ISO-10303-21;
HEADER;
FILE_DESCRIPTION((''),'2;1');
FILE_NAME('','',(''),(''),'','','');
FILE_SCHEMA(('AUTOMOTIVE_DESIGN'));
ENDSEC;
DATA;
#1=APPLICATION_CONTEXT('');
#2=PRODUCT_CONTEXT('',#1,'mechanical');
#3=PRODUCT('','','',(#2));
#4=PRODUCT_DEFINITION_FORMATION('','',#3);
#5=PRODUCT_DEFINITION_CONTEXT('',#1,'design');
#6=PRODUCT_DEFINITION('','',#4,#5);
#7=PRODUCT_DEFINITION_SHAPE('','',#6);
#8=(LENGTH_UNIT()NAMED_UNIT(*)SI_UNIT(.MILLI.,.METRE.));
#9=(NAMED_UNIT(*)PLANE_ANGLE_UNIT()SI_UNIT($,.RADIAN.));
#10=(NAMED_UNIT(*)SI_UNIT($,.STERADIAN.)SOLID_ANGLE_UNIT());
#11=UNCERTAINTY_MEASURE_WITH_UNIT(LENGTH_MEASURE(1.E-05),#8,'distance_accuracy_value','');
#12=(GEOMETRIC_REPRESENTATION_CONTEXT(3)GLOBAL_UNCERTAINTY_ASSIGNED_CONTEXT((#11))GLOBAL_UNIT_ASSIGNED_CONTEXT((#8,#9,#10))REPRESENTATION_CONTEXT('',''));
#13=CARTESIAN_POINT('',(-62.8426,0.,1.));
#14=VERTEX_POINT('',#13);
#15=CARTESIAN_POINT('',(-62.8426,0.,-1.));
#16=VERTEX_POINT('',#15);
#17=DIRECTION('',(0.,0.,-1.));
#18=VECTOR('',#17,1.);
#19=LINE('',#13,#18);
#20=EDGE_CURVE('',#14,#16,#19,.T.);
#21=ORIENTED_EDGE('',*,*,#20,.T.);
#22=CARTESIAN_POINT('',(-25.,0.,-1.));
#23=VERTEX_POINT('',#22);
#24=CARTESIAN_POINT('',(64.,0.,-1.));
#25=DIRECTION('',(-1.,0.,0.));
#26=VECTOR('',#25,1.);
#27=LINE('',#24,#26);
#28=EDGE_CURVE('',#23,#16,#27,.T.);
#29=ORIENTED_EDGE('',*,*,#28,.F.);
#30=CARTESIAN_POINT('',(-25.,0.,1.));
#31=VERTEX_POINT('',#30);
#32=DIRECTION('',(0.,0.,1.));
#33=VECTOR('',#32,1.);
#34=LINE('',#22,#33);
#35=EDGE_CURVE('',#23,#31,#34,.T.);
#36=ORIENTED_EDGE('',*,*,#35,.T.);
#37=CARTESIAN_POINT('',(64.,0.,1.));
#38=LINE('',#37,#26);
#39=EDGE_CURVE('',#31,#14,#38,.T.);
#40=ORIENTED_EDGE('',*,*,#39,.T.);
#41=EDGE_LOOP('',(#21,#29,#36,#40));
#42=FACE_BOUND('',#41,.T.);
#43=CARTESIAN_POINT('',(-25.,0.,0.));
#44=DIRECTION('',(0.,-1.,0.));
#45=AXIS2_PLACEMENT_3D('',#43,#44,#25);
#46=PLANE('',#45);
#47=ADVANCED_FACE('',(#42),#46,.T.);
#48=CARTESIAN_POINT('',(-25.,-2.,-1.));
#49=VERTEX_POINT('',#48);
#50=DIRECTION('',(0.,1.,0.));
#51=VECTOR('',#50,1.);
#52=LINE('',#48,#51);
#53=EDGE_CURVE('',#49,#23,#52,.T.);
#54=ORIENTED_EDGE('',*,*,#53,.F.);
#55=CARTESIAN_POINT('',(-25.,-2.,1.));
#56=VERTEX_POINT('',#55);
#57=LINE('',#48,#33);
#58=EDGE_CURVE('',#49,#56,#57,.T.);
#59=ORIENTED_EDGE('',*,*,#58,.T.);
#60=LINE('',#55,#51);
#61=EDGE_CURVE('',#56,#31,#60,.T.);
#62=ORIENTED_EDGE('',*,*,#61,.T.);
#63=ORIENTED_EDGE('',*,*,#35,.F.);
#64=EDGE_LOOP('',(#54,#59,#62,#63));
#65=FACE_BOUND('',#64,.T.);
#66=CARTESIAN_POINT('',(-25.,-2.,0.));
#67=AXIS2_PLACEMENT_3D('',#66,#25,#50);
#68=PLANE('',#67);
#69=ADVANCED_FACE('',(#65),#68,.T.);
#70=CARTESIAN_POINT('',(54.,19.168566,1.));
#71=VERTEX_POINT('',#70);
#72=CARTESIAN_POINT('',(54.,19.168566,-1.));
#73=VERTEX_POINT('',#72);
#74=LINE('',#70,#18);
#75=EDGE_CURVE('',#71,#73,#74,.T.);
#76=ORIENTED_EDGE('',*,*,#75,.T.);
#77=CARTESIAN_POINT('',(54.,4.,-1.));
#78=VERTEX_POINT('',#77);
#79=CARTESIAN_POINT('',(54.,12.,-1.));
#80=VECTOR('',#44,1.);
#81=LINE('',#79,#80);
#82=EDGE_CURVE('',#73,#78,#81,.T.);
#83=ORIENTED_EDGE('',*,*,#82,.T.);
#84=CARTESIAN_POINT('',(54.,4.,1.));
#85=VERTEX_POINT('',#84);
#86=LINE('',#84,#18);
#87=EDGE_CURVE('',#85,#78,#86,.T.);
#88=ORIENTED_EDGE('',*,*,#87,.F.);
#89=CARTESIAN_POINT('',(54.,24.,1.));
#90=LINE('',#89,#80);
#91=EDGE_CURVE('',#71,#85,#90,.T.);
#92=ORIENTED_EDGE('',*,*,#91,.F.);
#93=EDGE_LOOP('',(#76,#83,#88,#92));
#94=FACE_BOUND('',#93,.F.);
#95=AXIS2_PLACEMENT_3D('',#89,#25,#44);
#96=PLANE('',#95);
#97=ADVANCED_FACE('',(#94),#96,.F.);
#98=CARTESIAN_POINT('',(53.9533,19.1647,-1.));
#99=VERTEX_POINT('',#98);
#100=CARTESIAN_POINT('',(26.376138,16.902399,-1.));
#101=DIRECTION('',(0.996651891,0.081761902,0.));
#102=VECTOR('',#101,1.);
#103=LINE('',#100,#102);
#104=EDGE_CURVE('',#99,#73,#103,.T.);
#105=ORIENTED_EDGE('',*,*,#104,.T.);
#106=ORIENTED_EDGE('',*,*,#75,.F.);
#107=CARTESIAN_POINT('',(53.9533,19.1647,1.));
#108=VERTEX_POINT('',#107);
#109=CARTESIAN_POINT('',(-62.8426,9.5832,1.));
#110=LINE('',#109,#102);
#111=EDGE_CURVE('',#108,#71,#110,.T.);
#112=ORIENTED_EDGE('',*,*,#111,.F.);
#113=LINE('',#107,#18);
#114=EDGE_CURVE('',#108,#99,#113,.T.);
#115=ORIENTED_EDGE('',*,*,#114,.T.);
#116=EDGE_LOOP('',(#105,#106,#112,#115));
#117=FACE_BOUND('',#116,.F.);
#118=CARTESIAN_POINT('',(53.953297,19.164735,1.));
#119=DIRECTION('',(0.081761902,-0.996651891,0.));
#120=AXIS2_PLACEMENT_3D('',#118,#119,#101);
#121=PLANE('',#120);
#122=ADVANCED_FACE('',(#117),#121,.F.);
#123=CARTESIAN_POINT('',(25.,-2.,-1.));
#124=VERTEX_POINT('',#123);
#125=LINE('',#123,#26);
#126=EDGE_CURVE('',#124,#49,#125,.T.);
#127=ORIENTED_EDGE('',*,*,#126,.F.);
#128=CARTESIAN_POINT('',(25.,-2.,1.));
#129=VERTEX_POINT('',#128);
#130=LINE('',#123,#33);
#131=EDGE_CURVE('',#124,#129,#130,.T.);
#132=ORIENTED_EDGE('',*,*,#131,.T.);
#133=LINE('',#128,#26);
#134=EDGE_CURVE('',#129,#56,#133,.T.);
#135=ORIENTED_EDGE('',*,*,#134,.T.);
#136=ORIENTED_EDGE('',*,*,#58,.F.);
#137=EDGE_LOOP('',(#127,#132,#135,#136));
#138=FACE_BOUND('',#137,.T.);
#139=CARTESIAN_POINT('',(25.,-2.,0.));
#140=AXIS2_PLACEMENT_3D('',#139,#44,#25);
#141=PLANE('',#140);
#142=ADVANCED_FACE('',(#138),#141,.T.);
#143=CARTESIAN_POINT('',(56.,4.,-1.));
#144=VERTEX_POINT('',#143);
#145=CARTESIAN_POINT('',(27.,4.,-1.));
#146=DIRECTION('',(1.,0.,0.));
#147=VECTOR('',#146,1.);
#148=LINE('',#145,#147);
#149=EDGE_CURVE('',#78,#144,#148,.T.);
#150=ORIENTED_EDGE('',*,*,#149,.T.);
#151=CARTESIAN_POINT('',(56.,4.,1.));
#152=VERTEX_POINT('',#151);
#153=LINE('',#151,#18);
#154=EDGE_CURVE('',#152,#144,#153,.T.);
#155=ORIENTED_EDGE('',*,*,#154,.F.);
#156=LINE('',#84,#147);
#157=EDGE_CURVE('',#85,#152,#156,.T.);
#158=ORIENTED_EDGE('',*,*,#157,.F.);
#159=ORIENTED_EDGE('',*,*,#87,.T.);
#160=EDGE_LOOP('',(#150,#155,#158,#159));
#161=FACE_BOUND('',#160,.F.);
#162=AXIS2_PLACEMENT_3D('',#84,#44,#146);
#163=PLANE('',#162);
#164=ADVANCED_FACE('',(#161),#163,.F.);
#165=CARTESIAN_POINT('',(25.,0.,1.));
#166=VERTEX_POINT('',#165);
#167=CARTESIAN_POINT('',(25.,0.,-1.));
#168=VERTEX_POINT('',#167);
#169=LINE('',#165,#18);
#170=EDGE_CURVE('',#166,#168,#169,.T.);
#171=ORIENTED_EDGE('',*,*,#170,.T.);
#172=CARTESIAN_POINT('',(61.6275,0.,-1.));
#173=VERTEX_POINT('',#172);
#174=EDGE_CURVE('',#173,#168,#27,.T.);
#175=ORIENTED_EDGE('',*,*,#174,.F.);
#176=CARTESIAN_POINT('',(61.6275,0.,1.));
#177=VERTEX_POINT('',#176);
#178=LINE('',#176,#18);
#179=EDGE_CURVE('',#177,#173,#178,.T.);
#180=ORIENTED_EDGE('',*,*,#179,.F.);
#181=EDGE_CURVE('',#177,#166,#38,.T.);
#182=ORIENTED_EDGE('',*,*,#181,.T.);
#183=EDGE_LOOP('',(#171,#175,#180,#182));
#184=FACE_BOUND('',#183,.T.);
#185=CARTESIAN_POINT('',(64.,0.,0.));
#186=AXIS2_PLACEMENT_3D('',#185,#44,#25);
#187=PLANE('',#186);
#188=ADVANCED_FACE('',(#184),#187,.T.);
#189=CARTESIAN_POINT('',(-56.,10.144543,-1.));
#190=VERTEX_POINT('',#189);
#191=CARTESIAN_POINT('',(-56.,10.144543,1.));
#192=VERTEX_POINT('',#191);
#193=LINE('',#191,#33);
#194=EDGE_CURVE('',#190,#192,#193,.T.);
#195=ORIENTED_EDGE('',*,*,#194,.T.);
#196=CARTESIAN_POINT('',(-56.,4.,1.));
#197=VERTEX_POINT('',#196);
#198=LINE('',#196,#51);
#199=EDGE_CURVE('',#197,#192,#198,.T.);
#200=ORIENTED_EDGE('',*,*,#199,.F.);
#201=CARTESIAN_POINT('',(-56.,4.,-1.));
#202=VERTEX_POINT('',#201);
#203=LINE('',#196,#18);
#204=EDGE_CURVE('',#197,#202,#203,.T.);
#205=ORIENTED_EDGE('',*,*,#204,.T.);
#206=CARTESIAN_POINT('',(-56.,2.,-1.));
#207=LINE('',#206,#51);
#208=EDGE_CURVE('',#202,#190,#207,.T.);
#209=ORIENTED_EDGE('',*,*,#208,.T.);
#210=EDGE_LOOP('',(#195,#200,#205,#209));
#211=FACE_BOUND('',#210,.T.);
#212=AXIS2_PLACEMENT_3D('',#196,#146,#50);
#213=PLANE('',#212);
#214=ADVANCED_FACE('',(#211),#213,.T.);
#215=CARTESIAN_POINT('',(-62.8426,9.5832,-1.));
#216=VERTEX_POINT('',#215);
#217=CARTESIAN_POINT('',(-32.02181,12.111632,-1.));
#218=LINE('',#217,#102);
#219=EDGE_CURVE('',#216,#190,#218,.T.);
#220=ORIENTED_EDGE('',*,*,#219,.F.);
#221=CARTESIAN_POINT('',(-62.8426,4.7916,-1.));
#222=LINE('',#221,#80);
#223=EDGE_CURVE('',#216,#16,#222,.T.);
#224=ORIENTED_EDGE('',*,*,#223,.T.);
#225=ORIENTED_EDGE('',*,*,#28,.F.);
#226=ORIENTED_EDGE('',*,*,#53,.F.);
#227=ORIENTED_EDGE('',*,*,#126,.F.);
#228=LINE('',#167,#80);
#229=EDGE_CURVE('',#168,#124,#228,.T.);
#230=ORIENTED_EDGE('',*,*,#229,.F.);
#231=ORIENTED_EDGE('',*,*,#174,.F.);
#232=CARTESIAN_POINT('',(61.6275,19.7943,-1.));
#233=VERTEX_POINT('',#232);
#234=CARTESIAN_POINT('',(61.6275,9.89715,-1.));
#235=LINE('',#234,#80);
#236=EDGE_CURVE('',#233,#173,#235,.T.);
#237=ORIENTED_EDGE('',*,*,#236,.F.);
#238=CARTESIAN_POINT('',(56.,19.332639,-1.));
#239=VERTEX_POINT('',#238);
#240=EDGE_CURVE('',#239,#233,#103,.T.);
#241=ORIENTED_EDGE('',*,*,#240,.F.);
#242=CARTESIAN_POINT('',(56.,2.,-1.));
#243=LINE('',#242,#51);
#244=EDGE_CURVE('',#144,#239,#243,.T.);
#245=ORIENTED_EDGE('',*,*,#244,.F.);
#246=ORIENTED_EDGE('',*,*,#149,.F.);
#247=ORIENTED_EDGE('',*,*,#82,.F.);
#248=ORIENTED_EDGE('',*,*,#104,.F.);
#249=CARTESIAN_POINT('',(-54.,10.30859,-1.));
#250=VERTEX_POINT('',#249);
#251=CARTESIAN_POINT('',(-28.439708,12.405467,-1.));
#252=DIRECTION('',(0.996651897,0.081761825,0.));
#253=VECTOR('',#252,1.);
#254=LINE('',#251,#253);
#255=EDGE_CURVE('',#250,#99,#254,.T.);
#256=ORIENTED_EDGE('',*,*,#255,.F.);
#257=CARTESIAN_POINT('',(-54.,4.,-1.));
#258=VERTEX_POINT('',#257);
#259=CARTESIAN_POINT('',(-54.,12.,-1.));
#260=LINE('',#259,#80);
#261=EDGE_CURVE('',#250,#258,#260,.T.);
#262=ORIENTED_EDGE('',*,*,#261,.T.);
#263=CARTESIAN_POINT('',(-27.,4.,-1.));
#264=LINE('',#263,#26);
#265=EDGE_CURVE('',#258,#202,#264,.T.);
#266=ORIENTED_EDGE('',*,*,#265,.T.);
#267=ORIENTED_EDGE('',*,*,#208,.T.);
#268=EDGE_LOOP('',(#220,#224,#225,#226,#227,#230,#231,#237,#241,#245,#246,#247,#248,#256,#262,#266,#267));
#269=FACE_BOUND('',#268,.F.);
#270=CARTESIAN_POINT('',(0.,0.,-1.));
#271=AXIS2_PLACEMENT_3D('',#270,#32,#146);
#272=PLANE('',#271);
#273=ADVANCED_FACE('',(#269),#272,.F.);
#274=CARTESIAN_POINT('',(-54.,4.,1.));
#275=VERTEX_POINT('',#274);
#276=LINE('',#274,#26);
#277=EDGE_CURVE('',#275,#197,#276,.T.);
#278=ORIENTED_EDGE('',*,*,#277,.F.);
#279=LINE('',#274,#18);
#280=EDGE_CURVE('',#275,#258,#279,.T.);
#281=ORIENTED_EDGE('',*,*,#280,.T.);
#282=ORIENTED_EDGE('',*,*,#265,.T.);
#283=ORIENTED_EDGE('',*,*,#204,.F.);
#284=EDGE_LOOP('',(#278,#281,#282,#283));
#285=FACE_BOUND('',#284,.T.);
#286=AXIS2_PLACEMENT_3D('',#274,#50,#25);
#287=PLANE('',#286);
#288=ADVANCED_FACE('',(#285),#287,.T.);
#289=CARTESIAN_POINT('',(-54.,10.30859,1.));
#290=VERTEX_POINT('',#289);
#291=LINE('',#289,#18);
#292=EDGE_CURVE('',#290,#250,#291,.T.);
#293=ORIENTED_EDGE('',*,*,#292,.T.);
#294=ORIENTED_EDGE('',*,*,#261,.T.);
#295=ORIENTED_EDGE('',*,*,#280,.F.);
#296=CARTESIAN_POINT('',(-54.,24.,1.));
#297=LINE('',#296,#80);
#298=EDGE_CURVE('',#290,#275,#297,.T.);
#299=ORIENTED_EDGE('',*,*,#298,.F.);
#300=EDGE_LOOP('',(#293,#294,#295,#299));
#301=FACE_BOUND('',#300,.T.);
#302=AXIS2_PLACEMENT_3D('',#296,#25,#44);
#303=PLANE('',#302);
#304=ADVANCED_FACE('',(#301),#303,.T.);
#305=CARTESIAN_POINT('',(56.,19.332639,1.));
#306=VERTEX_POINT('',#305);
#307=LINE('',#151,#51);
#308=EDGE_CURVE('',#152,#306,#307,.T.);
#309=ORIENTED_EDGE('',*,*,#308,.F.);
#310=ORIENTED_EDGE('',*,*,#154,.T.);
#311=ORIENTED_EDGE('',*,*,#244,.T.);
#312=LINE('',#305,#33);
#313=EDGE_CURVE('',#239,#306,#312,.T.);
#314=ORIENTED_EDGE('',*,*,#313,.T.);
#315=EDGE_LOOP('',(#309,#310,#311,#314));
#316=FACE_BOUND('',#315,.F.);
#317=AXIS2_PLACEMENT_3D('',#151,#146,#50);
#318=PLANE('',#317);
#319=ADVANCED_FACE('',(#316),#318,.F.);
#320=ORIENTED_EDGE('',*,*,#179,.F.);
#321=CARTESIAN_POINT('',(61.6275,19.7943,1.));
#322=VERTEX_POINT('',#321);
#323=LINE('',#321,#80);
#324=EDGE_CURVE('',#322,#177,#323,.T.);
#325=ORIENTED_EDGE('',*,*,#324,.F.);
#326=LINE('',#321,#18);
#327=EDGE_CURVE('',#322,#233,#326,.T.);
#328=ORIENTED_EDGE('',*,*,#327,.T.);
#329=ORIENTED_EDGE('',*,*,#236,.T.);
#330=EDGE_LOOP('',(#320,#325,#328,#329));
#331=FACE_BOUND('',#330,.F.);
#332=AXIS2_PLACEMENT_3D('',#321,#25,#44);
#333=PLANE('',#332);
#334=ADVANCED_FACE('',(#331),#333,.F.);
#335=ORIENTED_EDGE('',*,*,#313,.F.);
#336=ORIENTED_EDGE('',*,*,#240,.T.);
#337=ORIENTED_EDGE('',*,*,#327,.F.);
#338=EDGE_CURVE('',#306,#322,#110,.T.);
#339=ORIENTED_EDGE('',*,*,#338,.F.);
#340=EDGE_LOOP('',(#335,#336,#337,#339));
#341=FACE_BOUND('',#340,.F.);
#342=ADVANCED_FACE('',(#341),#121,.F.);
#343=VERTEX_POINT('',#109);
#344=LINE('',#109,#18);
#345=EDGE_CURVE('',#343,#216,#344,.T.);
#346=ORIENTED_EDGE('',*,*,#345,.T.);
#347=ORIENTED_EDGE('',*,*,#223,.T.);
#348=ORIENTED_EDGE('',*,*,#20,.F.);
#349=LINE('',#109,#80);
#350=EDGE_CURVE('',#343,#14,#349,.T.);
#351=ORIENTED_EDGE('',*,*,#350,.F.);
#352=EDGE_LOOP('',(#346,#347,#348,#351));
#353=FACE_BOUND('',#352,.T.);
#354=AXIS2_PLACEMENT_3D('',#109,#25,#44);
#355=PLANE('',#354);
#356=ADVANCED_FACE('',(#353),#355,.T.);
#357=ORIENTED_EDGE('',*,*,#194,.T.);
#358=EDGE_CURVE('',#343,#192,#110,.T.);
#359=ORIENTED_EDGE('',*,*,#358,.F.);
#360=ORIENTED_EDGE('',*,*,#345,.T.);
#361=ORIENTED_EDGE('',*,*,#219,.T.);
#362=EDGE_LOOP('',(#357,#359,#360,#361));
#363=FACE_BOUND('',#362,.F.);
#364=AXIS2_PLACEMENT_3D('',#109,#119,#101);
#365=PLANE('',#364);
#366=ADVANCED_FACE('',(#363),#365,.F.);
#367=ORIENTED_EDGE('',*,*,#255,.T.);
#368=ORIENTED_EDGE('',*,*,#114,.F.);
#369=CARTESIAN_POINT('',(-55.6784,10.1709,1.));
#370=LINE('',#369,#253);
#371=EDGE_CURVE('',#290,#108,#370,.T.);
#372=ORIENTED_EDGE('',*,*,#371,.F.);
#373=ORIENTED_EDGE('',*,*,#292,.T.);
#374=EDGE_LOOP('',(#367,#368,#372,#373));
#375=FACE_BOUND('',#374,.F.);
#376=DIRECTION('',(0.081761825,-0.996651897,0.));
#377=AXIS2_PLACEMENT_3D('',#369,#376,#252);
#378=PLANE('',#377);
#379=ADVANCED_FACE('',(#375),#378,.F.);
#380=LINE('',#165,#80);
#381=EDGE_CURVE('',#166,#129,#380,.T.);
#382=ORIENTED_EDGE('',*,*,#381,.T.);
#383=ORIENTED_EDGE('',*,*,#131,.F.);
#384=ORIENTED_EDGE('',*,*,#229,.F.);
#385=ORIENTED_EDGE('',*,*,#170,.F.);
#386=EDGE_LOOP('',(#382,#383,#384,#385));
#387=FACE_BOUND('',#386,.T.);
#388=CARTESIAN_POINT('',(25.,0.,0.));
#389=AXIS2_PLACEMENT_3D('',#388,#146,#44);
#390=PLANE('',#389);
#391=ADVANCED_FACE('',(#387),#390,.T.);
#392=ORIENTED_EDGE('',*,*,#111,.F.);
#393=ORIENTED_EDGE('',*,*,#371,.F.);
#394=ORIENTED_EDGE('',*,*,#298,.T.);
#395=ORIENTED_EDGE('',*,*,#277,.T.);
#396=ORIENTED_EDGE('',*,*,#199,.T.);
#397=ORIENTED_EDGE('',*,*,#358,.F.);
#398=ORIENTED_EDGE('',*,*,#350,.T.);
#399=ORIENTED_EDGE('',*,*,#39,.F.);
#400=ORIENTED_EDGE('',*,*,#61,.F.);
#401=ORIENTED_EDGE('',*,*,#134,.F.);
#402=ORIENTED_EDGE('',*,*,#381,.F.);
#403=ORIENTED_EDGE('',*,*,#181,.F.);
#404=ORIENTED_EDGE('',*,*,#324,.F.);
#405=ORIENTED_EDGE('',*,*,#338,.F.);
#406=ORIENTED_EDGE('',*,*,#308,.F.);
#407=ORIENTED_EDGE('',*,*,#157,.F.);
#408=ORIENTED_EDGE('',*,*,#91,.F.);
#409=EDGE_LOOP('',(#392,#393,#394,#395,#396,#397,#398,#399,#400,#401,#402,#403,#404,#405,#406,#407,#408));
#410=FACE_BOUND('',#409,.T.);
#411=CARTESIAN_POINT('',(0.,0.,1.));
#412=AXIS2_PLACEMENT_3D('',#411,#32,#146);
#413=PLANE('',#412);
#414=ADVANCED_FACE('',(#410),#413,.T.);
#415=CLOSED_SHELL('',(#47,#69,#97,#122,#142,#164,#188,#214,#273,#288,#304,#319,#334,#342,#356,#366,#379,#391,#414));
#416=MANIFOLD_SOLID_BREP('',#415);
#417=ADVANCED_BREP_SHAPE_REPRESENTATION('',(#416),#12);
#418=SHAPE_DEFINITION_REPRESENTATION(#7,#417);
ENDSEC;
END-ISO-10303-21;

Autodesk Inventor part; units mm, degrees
ref_plane "YZ Plane" through (0, 0, 0) normal (1, 0, 0) x (0, 1, 0)
ref_plane "XZ Plane" through (0, 0, 0) normal (0, 1, 0) x (-1, 0, 0)
ref_plane "XY Plane" through (0, 0, 0) normal (0, 0, 1) x (1, 0, 0)
sketch "Sketch1" plane through (0, 0, 0) normal (0, 0, 1) x (1, 0, 0)
  line L0 (-64, 50) -> (64, 50)
  line L1 (64, 50) -> (64, 0)
  line L2 (64, 0) -> (-64, 0)
  line L3 (-64, 0) -> (-64, 50)
  line L4 (-25, 0) -> (25, 0)
  line L5 (25, 0) -> (25, -2)
  line L6 (25, -2) -> (-25, -2)
  line L7 (-25, -2) -> (-25, 0)
  point P0 (0, 0)
  point P1 (0, 0)
  dimension "d0" = 128
  dimension "d1" = 50
  dimension "d2" = 50
  dimension "d3" = 2
extrude "Extrusion1" add sketch "Sketch1" along normal mid plane 2
sketch "Sketch2" plane through (0, 0, 1) normal (0, 0, 1) x (1, 0, 0)
  line L0 (53.9533, 19.1647) -> (54.2948, 15.001) projected
  line L1 (54.2948, 15.001) -> (-55.3369, 6.0072) projected
  line L2 (-55.3369, 6.0072) -> (-55.6784, 10.1709) projected
  line L3 (-55.6784, 10.1709) -> (53.9533, 19.1647) projected
  line L4 (62.1376, 13.5765) -> (61.7855, 17.8679) projected
  line L5 (-63.1946, 7.615) -> (-62.8426, 3.3235) projected
  point P0 (0, 0)
sketch "Sketch3" plane through (0, 0, 1) normal (0, 0, 1) x (1, 0, 0)
  line L0 (-62.8426, 9.5832) -> (61.6275, 19.7943)
  line L1 (-55.6784, 10.1709) -> (53.9533, 19.1647) projected
  line L2 (-63.1946, 7.615) -> (-62.8426, 3.3235) construction
  line L3 (62.1376, 13.5765) -> (61.7855, 17.8679) construction
  line L4 (-62.8426, 9.5832) -> (-62.8426, 0)
  line L5 (-64, 0) -> (-25, 0) projected
  line L6 (61.6275, 19.7943) -> (61.6275, 0)
  line L7 (61.6275, 19.7943) -> (62.7021, 6.6951) construction
  line L8 (-62.8426, 0) -> (-72.8426, 0)
  line L9 (-72.8426, 0) -> (-72.8426, 60)
  line L10 (-72.8426, 60) -> (71.6275, 60)
  line L11 (71.6275, 60) -> (71.6275, 0)
  line L12 (71.6275, 0) -> (61.6275, 0)
  point P0 (0, 0)
  dimension "d6" = 10
  dimension "d7" = 10
  dimension "d8" = 60
extrude "Extrusion2" cut sketch "Sketch3" against normal through all
sketch "Sketch4" plane through (0, 0, 1) normal (0, 0, 1) x (1, 0, 0)
  line L0 (56, 0) -> (56, 19.4013) projected
  line L1 (54, 0) -> (56, 0) projected
  line L2 (54, 19.4013) -> (54, 0) projected
  line L3 (54, 19.4013) -> (56, 19.4013) projected
  line L4 (-54, 0) -> (-54, 10.4075) projected
  line L5 (-56, 0) -> (-54, 0) projected
  line L6 (-56, 10.4075) -> (-56, 0) projected
  line L7 (-56, 10.4075) -> (-54, 10.4075) projected
  point P0 (0, 0)
sketch "Sketch5" plane through (0, 0, 1) normal (0, 0, 1) x (1, 0, 0)
  line L0 (-56, 10.4075) -> (-56, 0) construction
  line L1 (-54, 0) -> (-54, 10.4075) construction
  line L2 (54, 19.4013) -> (54, 0) construction
  line L3 (56, 0) -> (56, 19.4013) construction
  line L4 (-54, 4) -> (-56, 4)
  line L5 (-56, 4) -> (-56, 24)
  line L6 (-56, 24) -> (-54, 24)
  line L7 (-54, 24) -> (-54, 4)
  line L8 (56, 24) -> (54, 24)
  line L9 (54, 24) -> (54, 4)
  line L10 (54, 4) -> (56, 4)
  line L11 (56, 4) -> (56, 24)
  line L12 (25, 0) -> (61.6275, 0) projected
  line L13 (-62.8426, 0) -> (-25, 0) projected
  point P0 (0, 0)
  dimension "d11" = 4
  dimension "d12" = 20
  dimension "d13" = 4
  dimension "d14" = 20
extrude "Extrusion3" cut sketch "Sketch5" against normal through all
properties part number "angle_plate_long_tall"
